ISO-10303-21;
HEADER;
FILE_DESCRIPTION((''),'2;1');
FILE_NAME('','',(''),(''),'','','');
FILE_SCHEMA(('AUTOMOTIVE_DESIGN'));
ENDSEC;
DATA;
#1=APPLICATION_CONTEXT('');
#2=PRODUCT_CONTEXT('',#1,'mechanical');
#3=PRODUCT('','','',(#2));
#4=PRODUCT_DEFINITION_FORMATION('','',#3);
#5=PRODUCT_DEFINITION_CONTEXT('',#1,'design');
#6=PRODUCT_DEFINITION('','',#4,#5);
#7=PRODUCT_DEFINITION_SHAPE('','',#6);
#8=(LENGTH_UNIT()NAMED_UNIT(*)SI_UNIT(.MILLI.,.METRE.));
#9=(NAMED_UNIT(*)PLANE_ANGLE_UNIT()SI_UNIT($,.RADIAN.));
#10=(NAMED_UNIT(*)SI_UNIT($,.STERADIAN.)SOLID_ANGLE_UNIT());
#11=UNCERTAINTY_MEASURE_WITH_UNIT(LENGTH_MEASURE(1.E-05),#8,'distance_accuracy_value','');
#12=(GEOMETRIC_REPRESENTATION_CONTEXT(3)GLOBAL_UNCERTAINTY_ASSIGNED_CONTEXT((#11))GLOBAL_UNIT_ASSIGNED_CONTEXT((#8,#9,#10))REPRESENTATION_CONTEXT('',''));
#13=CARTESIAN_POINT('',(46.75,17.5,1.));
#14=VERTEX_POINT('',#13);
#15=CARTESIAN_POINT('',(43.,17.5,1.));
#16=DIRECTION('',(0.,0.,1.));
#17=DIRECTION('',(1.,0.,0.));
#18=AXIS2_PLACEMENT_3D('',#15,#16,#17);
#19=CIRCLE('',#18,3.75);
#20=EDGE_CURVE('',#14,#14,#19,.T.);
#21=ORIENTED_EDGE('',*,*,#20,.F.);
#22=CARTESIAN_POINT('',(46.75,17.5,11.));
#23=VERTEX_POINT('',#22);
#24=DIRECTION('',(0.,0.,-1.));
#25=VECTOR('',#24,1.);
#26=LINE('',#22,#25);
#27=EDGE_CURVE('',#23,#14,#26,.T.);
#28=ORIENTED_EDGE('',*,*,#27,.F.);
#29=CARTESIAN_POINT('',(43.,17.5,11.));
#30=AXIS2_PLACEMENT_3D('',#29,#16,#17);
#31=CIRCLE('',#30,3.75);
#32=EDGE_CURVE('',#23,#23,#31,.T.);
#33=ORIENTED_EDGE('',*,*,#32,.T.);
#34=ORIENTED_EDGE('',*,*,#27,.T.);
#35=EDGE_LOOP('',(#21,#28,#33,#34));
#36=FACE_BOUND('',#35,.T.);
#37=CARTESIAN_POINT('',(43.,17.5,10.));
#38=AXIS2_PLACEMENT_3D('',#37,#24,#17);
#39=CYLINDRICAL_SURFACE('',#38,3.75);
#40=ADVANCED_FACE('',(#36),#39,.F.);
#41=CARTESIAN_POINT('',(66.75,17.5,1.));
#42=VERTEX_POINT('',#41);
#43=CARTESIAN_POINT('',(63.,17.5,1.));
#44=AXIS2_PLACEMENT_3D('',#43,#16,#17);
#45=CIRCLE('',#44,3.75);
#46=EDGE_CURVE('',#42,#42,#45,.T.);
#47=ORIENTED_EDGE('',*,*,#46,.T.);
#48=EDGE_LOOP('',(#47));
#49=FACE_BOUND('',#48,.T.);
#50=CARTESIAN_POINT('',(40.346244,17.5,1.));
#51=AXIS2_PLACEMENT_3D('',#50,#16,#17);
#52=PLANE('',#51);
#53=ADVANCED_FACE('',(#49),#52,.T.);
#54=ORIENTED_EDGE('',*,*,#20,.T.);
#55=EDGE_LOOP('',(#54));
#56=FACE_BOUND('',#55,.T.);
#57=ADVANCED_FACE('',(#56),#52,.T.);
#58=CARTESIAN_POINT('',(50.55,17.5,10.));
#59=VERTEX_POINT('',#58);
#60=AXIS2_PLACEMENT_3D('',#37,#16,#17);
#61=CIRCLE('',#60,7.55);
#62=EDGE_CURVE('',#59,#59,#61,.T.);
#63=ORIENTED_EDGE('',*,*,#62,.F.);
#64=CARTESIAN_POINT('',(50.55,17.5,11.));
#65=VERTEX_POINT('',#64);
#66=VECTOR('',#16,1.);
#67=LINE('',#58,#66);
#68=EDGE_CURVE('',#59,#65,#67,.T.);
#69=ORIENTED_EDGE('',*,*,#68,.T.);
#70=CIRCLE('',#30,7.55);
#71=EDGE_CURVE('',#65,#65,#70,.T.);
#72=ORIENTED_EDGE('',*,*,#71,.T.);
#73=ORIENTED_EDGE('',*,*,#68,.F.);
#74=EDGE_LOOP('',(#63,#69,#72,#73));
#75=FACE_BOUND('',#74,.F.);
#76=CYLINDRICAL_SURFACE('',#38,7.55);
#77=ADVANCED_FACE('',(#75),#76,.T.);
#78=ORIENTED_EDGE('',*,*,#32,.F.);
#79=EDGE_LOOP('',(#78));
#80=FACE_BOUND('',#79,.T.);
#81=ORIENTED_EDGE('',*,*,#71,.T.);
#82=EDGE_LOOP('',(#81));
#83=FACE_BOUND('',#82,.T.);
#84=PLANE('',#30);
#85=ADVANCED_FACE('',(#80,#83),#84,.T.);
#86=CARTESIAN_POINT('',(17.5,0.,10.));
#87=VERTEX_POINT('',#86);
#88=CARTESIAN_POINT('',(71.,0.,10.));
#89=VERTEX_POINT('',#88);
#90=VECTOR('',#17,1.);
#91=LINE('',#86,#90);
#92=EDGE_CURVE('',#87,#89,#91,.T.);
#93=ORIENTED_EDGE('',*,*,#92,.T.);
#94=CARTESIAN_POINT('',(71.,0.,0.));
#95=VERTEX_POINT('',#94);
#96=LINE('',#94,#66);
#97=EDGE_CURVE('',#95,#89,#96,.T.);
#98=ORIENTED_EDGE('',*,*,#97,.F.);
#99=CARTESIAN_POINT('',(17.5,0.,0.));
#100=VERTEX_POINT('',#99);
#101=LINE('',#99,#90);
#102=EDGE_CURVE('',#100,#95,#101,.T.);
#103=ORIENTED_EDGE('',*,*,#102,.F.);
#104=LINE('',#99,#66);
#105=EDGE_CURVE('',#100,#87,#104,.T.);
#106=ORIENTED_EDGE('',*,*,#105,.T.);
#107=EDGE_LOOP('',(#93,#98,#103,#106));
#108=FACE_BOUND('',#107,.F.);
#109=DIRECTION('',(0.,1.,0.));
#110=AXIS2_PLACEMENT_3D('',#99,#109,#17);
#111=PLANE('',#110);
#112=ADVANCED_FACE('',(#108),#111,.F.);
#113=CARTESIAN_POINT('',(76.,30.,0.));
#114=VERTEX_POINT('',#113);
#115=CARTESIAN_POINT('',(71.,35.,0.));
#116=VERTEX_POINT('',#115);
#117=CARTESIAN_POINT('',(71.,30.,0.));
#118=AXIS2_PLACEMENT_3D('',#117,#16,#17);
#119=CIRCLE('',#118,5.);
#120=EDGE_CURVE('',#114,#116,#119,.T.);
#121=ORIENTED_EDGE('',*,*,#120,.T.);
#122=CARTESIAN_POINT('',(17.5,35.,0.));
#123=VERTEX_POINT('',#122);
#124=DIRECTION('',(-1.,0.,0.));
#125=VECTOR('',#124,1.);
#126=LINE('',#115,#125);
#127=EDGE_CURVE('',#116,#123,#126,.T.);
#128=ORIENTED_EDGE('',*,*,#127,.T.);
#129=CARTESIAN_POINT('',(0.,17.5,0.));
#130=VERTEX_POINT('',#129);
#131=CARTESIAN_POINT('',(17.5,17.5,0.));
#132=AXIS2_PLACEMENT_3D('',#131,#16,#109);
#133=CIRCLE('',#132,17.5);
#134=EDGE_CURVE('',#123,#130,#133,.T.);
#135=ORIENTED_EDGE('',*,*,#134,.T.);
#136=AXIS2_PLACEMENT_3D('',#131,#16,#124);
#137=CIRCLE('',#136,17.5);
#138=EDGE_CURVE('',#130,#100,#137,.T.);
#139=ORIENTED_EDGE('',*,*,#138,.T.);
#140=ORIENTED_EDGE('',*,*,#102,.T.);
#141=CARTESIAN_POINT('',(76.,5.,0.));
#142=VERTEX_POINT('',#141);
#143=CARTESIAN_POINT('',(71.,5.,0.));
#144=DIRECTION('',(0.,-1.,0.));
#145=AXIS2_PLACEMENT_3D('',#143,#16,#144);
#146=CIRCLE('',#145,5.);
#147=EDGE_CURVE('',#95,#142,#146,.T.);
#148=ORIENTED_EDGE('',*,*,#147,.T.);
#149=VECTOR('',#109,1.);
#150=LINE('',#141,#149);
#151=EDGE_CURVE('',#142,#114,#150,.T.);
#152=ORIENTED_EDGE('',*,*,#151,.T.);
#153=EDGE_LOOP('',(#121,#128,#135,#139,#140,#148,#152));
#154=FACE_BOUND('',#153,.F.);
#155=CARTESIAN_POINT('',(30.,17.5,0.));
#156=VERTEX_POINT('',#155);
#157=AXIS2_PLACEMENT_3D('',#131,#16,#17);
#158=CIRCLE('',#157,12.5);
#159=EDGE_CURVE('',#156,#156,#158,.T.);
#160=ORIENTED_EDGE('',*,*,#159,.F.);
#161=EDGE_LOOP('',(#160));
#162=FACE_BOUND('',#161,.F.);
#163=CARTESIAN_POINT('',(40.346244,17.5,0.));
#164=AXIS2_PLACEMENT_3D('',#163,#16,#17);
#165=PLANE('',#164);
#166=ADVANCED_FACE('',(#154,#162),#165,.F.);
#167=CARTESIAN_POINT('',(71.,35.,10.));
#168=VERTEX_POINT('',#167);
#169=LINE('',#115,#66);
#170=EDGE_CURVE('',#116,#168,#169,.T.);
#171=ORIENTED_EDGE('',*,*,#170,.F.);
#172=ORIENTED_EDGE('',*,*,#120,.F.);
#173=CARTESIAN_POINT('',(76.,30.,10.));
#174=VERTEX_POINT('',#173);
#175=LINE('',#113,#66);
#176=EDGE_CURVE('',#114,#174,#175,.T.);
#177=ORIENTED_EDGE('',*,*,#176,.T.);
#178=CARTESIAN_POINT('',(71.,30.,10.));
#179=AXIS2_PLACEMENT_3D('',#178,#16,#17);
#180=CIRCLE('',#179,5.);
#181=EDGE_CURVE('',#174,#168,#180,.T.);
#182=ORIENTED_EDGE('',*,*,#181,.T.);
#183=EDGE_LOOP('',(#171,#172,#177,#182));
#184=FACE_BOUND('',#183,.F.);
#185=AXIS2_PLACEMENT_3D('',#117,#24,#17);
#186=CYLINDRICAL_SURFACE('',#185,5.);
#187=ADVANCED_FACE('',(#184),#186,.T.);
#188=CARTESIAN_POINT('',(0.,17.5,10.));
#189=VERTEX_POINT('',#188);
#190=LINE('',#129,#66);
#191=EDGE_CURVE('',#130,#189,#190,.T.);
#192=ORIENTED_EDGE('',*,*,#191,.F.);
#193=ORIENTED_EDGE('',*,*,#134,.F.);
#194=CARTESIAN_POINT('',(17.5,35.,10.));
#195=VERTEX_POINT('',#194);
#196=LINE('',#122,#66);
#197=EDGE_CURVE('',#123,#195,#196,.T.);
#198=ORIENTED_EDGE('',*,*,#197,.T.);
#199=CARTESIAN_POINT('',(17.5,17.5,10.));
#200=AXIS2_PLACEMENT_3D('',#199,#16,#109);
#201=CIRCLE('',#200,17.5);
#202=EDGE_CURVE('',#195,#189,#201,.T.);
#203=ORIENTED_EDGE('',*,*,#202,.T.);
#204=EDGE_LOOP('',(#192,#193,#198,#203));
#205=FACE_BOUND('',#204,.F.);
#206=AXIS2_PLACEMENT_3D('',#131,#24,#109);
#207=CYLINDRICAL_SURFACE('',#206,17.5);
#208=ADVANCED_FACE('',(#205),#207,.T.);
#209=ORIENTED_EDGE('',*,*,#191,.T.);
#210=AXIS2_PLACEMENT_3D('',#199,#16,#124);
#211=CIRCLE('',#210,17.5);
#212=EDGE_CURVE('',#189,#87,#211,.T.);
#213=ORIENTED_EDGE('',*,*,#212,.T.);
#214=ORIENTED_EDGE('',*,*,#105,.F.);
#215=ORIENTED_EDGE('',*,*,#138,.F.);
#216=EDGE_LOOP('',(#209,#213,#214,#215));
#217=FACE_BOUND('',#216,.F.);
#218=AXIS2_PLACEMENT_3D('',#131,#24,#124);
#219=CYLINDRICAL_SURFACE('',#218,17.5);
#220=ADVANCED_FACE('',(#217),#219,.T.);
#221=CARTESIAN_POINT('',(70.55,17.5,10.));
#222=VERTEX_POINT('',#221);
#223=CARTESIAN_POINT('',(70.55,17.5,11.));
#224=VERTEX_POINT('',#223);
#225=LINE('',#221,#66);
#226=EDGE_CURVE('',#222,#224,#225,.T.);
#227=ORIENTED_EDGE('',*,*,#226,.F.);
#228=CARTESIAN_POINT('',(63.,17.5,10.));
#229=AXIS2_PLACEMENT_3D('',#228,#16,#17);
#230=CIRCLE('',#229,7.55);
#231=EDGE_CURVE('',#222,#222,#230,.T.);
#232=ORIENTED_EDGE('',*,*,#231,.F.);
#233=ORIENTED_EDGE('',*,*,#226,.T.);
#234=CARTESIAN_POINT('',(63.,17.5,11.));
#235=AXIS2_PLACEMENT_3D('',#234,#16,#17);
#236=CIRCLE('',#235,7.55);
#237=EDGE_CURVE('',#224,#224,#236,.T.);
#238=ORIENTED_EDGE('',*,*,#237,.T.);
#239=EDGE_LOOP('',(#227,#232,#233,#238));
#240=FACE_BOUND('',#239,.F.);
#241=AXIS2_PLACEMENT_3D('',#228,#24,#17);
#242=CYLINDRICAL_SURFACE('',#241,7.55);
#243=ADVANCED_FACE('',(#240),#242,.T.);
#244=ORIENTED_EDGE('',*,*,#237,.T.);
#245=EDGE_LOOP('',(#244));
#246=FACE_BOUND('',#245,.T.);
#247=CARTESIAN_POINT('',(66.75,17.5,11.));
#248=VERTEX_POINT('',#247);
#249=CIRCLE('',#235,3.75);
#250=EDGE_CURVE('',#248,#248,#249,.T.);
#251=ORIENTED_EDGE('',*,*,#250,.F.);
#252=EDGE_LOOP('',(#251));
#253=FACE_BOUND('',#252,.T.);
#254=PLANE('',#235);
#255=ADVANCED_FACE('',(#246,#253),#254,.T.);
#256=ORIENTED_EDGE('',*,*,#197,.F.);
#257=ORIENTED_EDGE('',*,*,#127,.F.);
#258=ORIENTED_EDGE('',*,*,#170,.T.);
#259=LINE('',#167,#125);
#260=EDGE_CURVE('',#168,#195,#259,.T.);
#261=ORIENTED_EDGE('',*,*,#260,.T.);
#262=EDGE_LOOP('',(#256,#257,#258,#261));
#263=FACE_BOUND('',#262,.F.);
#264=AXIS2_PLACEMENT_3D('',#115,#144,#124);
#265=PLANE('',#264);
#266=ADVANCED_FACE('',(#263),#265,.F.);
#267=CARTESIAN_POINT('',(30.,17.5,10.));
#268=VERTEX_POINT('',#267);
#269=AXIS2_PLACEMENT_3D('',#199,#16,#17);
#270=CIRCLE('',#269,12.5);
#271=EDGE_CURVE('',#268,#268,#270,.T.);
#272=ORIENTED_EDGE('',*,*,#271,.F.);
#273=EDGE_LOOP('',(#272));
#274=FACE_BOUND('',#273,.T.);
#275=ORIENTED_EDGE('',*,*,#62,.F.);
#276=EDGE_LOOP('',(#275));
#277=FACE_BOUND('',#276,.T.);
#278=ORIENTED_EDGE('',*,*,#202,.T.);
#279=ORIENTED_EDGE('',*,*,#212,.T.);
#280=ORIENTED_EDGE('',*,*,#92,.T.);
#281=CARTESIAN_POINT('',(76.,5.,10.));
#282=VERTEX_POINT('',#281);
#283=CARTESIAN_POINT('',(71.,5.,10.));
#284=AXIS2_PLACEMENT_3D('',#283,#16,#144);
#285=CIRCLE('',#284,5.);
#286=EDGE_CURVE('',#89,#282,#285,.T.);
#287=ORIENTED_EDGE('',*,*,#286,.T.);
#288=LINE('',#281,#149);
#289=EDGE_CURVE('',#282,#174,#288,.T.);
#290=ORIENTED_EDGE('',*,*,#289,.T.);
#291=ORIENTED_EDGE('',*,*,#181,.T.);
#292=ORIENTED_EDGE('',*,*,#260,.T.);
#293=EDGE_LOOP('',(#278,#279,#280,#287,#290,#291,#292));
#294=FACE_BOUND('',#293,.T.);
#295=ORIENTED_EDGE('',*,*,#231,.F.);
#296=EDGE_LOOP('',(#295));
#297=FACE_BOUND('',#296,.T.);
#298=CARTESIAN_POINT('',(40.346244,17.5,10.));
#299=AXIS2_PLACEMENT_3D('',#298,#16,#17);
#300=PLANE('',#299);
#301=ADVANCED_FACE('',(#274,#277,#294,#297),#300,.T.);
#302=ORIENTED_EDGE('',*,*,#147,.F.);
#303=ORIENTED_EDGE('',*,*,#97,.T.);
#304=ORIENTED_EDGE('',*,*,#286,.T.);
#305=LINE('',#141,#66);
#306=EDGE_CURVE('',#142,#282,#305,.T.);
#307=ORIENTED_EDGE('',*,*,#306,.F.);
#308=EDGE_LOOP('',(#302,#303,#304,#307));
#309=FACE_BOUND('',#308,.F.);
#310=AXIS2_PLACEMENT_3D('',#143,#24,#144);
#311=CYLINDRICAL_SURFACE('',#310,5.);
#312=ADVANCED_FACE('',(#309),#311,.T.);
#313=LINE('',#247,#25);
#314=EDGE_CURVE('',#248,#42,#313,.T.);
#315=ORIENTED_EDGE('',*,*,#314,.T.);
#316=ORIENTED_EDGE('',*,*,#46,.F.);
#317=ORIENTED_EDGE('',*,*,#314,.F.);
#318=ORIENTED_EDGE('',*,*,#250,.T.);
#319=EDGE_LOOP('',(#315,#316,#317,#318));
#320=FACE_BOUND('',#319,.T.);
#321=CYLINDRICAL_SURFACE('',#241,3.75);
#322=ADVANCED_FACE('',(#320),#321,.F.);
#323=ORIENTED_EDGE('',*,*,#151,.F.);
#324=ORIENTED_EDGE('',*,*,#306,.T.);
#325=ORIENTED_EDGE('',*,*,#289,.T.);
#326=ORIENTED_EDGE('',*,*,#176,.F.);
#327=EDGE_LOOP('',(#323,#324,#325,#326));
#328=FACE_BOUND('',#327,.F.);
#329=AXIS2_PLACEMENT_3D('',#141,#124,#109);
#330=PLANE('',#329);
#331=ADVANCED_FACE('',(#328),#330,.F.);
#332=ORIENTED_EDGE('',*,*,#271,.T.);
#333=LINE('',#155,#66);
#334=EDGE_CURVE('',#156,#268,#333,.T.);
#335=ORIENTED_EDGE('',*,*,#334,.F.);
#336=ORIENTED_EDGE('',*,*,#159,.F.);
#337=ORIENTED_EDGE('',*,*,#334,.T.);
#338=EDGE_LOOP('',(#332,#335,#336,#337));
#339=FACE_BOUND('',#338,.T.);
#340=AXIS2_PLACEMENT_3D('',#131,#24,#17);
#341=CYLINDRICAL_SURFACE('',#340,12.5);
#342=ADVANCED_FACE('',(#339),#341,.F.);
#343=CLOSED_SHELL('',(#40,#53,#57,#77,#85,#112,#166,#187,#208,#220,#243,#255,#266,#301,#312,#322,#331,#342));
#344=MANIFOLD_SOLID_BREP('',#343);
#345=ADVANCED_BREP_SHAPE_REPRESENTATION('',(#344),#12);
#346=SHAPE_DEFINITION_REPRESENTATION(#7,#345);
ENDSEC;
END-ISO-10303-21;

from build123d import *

# Parameters (mm, degrees)
F0_R     = 12.5
F1_DEPTH = 10
F2_R     = 7.55
F2_R_2   = 3.75
F3_DEPTH = 1
F4_DEPTH = 9


with BuildPart() as f1:
    # F0 (on Top) → F1 (new body)
    with BuildSketch(Plane.XY):
        with BuildLine():
            ThreePointArc((0, 17.5), (5.1256313292, 5.1256313292), (17.5, 0))
            Line((17.5, 0), (71, 0))
            ThreePointArc((71, 0), (74.5355339059, 1.4644660941), (76, 5))
            Line((76, 5), (76, 30))
            ThreePointArc((76, 30), (74.5355339059, 33.5355339059), (71, 35))
            Line((71, 35), (17.5, 35))
            ThreePointArc((17.5, 35), (5.1256313292, 29.8743686708), (0, 17.5))
        make_face()
        with Locations((17.5, 17.5)):
            Circle(F0_R, mode=Mode.SUBTRACT)
    extrude(amount=F1_DEPTH)

    # F2 (on face) → F3 (join)
    with BuildSketch(Plane.XY.offset(10)):
        with Locations((43, 17.5)):
            Circle(F2_R)
        with Locations((43, 17.5)):
            Circle(F2_R_2, mode=Mode.SUBTRACT)
        with Locations((63, 17.5)):
            Circle(F2_R)
        with Locations((63, 17.5)):
            Circle(F2_R_2, mode=Mode.SUBTRACT)
    extrude(amount=F3_DEPTH)

    # F4 (cut): faces of the model
    f4_faces = [f1.faces().sort_by_distance(p)[0] for p in [
        (43, 17.5, 10),
        (63, 17.5, 10),
    ]]
    extrude(f4_faces, amount=-F4_DEPTH, mode=Mode.SUBTRACT)


solid = f1.part
